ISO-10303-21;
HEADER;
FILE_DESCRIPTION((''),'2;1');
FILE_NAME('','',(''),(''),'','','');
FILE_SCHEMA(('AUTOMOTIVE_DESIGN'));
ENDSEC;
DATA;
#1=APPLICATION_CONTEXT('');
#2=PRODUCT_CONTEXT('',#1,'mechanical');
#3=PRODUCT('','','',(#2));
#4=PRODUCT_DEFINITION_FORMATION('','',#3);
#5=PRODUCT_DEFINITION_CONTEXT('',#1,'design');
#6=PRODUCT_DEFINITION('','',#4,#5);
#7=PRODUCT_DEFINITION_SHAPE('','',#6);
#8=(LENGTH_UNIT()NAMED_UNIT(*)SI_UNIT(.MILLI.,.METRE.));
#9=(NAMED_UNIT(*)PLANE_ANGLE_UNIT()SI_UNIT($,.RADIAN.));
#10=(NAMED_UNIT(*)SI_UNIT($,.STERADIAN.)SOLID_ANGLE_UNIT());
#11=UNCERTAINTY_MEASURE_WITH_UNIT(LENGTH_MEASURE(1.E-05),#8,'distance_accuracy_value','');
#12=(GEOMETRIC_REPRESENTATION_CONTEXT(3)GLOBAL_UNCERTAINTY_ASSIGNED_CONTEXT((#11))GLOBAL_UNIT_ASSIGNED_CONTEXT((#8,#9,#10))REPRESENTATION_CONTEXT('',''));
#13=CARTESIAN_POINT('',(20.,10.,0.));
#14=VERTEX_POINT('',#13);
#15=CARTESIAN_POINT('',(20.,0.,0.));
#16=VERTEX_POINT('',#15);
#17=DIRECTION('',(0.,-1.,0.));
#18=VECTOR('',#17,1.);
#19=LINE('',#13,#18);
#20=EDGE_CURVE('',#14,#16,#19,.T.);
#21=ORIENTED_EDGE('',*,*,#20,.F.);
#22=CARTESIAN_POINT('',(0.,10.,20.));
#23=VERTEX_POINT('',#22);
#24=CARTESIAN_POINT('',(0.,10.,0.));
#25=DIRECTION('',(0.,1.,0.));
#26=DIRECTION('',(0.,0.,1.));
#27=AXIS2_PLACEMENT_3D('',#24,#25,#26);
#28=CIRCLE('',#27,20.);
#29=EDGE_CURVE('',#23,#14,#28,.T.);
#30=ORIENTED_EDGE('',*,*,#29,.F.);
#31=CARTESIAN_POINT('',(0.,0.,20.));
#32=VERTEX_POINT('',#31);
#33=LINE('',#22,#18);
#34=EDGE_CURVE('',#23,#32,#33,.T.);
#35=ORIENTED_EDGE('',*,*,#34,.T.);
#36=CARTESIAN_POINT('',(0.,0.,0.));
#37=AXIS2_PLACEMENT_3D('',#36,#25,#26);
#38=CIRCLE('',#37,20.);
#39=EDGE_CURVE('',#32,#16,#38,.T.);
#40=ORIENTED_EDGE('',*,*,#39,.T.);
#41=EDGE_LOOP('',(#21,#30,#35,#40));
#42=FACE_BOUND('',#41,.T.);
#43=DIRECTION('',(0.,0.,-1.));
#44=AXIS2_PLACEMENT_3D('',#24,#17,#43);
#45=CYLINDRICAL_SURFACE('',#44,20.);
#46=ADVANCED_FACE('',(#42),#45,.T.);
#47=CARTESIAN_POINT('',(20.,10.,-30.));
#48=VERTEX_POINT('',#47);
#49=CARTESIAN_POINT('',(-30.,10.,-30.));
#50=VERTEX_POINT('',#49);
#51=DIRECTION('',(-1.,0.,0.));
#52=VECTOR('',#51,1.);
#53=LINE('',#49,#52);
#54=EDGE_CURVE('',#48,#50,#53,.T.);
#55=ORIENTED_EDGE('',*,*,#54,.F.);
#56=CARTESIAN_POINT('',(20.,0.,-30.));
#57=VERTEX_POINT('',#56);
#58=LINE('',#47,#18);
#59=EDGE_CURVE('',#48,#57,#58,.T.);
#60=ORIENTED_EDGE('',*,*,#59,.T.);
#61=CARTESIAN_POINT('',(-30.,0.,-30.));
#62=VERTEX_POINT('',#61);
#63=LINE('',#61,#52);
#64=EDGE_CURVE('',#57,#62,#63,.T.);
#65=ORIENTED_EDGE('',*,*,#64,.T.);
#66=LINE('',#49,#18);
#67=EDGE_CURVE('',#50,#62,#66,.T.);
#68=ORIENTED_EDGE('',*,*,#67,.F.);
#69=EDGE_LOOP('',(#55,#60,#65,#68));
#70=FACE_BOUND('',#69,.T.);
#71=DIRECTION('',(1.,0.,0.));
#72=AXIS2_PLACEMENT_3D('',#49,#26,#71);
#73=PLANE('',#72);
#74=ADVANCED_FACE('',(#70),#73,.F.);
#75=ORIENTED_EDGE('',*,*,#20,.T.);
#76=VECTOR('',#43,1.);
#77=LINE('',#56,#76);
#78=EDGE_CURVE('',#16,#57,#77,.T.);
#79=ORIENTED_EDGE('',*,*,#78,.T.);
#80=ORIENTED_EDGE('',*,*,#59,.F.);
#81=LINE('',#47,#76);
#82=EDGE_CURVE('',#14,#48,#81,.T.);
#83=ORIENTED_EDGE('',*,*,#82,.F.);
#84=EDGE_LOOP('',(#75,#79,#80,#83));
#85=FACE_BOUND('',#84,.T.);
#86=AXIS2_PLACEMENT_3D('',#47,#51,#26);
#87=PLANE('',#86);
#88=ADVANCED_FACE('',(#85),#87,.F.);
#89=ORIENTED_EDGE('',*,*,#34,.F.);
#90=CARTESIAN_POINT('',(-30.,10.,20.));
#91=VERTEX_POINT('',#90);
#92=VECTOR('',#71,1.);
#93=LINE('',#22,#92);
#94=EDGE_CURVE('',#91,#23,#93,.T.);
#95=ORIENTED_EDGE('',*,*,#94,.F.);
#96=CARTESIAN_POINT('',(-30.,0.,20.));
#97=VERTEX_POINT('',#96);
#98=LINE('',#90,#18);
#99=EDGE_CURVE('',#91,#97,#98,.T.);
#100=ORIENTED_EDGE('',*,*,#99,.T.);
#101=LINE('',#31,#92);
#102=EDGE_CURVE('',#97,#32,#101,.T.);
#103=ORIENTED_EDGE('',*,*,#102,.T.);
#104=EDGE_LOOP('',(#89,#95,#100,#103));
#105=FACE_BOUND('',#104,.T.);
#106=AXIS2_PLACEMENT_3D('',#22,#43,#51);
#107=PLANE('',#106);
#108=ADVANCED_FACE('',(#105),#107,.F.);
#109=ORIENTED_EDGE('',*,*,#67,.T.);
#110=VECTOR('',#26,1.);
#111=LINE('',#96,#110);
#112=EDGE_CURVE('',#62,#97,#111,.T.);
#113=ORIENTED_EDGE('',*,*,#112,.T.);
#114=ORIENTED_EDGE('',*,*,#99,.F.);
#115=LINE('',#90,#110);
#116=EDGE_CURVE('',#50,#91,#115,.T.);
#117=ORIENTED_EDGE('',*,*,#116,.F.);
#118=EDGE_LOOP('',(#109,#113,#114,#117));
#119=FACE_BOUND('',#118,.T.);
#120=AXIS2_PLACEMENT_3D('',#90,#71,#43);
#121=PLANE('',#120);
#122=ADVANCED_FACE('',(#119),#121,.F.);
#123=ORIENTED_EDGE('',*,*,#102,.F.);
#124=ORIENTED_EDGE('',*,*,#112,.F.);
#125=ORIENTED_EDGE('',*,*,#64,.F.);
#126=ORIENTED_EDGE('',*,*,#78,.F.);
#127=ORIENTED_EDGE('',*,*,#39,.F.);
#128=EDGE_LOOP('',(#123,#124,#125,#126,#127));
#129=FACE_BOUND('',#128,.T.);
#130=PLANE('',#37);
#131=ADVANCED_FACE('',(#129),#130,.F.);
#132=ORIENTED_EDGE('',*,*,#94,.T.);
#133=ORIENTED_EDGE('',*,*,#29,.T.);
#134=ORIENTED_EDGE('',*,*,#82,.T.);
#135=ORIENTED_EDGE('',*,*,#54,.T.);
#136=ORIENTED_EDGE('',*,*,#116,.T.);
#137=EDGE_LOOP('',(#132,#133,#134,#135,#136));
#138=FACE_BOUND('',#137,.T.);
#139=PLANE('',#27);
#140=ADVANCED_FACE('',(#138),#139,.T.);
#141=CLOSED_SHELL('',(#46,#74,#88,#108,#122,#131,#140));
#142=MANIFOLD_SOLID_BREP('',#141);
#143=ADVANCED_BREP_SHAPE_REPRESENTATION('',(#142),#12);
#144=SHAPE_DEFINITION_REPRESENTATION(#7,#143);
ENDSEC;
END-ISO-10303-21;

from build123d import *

# Parameters (mm, degrees)
BOSS_EXTRUDE1_DEPTH = 10


with BuildPart() as part:
    # Sketch1 → Boss-Extrude1 (new body)
    with BuildSketch(Plane(origin=(0, 0, 0), x_dir=(1, 0, 0), z_dir=(0, 1, 0))):
        with BuildLine():
            Line((0, -20), (-30, -20))
            Line((-30, -20), (-30, 30))
            Line((-30, 30), (20, 30))
            Line((20, 30), (20, 0))
            ThreePointArc((20, 0), (14.142135624, -14.142135624), (0, -20))
        make_face()
    extrude(amount=BOSS_EXTRUDE1_DEPTH)


solid = part.part
